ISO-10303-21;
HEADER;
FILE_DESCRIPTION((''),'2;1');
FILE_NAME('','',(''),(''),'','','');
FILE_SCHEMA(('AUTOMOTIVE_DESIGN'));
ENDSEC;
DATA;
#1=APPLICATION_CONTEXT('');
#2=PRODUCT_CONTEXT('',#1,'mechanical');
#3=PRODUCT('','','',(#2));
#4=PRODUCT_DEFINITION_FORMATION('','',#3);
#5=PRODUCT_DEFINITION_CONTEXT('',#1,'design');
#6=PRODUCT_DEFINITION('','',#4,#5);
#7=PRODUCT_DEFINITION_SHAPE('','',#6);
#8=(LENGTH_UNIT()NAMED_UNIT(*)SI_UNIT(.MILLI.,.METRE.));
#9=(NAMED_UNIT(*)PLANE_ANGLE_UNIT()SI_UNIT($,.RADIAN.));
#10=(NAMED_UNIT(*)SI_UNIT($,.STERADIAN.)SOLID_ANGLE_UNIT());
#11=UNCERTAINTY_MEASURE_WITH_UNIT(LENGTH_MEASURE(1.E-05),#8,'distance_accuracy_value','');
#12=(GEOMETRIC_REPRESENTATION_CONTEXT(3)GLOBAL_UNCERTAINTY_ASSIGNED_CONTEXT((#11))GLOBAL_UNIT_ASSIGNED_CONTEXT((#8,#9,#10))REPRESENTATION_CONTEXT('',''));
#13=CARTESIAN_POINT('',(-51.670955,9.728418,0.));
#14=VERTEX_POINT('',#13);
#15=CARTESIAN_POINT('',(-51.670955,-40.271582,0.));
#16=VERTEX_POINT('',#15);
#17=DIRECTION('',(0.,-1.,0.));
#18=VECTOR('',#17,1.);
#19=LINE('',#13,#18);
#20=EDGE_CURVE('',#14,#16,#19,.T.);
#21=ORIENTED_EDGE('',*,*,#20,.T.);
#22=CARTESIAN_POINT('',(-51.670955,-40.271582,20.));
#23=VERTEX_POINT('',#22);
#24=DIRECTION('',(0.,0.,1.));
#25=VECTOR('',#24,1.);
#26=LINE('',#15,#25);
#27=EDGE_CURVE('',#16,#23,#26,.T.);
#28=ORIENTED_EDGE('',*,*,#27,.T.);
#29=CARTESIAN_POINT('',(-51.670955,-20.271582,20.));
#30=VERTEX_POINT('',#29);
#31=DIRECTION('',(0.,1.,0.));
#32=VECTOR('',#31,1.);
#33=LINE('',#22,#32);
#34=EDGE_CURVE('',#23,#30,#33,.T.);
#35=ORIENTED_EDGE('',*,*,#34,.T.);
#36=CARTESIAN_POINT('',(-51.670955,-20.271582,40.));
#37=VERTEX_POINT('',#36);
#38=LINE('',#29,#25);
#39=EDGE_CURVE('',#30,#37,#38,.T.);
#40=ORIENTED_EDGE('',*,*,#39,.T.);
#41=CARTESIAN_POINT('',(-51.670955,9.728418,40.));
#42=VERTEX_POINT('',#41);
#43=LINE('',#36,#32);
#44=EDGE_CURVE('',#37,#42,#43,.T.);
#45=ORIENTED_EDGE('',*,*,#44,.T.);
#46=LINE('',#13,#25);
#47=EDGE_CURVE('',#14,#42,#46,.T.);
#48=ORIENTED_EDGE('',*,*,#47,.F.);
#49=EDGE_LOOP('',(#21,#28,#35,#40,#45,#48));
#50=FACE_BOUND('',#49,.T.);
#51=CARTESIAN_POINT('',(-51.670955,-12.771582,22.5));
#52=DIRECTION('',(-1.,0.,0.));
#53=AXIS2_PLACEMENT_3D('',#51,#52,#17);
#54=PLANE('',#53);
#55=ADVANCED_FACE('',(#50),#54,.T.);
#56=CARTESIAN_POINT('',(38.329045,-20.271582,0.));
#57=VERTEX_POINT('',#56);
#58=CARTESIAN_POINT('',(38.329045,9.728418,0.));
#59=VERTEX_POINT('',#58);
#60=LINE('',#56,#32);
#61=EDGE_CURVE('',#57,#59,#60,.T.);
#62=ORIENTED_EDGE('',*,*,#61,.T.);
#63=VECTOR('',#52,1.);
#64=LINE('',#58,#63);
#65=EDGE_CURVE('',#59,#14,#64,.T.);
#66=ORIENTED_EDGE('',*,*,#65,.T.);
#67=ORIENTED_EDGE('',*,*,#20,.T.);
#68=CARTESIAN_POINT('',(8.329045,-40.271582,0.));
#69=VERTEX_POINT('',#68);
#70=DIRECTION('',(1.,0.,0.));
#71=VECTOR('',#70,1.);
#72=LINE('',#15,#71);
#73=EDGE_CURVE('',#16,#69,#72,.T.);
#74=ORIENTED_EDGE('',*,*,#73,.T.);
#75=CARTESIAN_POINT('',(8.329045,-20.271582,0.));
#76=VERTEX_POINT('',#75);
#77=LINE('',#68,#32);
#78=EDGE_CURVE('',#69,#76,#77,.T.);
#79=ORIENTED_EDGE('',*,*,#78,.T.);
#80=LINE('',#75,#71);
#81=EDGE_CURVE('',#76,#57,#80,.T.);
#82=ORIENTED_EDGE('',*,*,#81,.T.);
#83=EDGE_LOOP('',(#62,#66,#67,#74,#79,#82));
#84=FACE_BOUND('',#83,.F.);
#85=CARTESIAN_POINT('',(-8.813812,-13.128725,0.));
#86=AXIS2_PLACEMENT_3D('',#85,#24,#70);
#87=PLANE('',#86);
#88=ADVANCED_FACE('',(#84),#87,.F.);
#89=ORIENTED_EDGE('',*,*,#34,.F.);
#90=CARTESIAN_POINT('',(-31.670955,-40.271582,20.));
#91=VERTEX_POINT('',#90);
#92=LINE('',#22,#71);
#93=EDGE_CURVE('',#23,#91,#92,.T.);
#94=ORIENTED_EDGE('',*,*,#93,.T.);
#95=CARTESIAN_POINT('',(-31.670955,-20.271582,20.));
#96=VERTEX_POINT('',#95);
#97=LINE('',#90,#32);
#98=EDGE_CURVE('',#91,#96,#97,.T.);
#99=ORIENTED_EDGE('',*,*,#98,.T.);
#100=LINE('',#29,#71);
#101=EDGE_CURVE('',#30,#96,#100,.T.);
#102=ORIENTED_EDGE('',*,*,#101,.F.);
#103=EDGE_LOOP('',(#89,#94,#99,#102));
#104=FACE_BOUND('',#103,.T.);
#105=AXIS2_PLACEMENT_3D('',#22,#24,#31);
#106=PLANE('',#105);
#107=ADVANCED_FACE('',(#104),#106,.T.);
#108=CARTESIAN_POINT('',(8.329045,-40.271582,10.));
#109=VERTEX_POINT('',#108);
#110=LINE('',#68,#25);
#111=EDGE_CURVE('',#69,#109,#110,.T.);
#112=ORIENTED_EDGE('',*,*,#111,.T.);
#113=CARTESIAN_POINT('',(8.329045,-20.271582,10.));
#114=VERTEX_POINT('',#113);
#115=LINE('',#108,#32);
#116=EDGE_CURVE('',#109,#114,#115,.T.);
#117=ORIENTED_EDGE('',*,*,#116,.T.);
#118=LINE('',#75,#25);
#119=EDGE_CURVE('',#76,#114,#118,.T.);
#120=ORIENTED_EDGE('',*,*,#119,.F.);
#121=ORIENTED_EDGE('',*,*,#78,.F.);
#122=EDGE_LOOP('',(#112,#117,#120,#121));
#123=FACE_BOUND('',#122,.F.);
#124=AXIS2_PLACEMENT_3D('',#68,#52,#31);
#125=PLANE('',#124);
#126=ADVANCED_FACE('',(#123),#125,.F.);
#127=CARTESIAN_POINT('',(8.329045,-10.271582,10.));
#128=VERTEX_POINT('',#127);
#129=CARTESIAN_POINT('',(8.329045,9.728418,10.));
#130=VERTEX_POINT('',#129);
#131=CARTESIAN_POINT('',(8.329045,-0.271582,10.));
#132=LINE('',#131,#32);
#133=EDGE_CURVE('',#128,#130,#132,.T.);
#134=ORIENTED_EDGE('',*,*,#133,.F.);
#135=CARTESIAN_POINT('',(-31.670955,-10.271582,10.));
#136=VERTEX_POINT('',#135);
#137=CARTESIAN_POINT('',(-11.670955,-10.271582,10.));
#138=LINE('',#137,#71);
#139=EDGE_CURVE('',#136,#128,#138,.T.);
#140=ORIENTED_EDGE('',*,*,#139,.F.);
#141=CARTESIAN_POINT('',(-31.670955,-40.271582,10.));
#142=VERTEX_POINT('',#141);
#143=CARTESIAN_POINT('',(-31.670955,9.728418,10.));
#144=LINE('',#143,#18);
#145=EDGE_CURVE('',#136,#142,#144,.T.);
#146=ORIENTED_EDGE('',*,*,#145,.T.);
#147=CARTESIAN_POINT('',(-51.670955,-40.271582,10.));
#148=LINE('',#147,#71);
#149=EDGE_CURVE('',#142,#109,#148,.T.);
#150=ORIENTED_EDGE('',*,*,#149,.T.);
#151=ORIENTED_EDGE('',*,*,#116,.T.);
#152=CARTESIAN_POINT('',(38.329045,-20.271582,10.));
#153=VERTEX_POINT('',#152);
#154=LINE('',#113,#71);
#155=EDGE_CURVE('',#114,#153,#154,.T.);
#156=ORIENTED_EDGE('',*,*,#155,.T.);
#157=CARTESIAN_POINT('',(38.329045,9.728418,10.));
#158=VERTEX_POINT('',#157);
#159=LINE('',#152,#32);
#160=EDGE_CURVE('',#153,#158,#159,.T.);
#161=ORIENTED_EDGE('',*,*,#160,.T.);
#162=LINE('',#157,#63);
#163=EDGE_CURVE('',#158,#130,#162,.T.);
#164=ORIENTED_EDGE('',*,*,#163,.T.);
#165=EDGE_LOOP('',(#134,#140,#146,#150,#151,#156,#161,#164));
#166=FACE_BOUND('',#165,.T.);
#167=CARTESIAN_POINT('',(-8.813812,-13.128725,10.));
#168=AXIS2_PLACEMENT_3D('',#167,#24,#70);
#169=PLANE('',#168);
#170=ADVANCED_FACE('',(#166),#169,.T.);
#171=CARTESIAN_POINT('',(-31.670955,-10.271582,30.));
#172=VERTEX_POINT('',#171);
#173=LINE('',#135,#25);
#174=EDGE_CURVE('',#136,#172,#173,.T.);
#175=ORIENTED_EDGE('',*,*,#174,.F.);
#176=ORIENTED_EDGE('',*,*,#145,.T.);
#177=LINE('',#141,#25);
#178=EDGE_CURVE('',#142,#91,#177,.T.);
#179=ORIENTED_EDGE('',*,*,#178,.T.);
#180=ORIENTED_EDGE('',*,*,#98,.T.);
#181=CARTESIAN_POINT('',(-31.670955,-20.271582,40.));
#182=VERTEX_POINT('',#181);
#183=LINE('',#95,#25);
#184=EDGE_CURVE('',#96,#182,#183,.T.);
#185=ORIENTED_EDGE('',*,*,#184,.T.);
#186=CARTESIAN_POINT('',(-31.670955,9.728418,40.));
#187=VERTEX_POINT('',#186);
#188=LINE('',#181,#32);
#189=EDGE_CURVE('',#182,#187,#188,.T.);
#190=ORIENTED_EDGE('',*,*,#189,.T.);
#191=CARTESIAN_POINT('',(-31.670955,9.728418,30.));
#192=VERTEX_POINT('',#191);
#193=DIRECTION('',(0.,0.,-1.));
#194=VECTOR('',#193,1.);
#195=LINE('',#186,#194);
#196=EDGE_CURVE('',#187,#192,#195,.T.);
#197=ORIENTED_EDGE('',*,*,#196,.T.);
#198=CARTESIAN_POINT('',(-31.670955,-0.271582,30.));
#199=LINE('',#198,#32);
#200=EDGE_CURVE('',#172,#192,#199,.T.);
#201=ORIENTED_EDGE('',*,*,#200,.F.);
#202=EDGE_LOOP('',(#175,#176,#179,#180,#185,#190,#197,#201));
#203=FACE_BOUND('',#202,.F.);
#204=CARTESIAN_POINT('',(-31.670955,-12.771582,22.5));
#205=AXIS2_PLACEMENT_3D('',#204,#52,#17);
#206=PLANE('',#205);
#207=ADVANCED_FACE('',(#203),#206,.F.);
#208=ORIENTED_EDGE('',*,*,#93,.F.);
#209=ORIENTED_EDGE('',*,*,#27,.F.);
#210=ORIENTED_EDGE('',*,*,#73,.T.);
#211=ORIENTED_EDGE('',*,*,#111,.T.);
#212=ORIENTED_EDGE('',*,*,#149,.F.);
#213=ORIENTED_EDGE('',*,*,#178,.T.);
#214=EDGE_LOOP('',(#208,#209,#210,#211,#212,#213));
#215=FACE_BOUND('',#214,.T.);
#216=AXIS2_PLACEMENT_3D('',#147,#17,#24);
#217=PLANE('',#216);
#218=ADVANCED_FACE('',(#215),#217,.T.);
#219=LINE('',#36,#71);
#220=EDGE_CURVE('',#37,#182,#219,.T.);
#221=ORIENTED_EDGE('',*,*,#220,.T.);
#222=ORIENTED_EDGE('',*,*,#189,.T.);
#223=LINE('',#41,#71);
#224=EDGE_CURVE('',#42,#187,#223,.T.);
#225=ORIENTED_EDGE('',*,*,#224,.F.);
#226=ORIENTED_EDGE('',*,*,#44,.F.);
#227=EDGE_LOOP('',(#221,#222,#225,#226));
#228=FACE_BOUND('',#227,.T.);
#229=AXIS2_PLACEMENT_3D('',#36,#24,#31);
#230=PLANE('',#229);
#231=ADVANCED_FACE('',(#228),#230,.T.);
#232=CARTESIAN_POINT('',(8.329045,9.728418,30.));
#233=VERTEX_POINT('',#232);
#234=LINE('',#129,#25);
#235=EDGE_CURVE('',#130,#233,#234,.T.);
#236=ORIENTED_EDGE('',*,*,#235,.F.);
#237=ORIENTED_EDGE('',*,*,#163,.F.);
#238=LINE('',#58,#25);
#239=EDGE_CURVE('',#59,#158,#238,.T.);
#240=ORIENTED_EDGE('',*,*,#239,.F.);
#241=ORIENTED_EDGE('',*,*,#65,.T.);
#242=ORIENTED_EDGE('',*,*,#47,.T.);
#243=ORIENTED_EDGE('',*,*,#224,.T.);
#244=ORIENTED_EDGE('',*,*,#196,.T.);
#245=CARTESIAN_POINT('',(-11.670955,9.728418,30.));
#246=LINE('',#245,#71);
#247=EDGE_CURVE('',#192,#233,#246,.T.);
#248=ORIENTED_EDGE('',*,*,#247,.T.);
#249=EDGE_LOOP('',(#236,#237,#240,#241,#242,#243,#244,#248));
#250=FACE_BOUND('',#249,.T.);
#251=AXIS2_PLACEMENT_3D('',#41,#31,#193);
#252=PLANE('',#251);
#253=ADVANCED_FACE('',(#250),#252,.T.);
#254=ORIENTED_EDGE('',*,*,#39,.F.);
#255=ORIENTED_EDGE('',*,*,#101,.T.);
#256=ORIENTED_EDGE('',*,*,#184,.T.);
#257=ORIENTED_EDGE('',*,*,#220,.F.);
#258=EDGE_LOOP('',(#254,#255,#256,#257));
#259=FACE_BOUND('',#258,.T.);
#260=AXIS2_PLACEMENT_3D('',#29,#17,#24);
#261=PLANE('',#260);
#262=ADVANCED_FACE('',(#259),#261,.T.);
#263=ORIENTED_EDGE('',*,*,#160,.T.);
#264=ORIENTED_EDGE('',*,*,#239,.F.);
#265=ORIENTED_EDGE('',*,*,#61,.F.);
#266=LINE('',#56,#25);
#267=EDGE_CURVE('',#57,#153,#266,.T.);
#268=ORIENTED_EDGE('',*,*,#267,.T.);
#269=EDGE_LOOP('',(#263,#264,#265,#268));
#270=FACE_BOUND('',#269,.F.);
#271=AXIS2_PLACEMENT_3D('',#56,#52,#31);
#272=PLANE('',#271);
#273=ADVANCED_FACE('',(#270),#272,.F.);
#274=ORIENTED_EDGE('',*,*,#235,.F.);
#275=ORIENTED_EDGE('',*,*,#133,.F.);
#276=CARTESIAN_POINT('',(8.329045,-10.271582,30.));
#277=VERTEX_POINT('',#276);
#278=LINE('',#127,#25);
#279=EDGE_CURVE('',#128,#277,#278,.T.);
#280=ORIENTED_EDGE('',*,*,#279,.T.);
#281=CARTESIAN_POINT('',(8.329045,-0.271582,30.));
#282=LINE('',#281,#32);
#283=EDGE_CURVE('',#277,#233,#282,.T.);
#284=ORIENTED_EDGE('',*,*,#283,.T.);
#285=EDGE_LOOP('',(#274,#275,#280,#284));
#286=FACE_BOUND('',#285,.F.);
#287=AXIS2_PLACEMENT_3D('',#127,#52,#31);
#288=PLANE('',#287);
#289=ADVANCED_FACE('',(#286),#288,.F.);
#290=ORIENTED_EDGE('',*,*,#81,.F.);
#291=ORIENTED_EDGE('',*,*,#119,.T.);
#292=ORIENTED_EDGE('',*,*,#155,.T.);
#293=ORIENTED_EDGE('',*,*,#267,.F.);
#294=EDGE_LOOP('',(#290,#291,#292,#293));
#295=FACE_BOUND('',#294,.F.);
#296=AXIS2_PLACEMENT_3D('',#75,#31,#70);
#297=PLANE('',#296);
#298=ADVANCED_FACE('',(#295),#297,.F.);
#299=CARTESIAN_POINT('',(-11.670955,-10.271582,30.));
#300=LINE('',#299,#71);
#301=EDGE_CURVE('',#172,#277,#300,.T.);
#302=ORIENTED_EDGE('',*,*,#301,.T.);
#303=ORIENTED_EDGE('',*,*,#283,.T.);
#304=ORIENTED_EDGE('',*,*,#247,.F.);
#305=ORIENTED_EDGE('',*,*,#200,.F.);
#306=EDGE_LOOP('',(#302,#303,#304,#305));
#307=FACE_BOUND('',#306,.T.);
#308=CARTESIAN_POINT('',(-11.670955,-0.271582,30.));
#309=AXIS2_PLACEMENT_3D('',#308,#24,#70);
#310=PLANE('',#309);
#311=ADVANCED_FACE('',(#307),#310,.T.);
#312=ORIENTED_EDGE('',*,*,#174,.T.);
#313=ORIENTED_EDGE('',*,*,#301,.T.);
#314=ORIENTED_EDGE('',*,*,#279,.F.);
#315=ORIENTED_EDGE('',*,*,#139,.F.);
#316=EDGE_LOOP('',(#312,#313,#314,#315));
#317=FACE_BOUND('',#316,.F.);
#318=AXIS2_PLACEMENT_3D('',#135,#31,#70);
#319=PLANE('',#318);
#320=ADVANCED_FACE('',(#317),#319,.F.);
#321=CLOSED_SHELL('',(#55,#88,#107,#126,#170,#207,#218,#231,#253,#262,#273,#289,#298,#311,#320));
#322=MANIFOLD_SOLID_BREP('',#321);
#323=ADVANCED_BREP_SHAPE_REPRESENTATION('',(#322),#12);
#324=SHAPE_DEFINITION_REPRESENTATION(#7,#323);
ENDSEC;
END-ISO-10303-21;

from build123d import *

# Parameters (mm, degrees)
F1_DEPTH = 10
F3_DEPTH = 20
F4_W     = 40
F4_H     = 20
F5_DEPTH = 20


with BuildPart() as f1:
    # F0 (on Top) → F1 (new body)
    with BuildSketch(Plane.XY):
        Polygon((-51.670955, 9.728418), (-51.670955, -40.271582), (8.329045, -40.271582), (8.329045, -20.271582), (38.329045, -20.271582), (38.329045, 9.728418), align=None)
    extrude(amount=F1_DEPTH)

    # F2 (on face) → F3 (join)
    with BuildSketch(Plane(origin=(-51.670955, 0, 0), x_dir=(0, -1, 0), z_dir=(-1, 0, 0))):
        Polygon((-9.728418, 40), (-9.728418, 10), (40.271582, 10), (40.271582, 20), (20.271582, 20), (20.271582, 40), align=None)
    extrude(amount=-F3_DEPTH)

    # F4 (on face) → F5 (join)
    with BuildSketch(Plane.XY.offset(10)):
        with Locations((-11.670955, -0.271582)):
            Rectangle(F4_W, F4_H)
    extrude(amount=F5_DEPTH)


solid = f1.part
